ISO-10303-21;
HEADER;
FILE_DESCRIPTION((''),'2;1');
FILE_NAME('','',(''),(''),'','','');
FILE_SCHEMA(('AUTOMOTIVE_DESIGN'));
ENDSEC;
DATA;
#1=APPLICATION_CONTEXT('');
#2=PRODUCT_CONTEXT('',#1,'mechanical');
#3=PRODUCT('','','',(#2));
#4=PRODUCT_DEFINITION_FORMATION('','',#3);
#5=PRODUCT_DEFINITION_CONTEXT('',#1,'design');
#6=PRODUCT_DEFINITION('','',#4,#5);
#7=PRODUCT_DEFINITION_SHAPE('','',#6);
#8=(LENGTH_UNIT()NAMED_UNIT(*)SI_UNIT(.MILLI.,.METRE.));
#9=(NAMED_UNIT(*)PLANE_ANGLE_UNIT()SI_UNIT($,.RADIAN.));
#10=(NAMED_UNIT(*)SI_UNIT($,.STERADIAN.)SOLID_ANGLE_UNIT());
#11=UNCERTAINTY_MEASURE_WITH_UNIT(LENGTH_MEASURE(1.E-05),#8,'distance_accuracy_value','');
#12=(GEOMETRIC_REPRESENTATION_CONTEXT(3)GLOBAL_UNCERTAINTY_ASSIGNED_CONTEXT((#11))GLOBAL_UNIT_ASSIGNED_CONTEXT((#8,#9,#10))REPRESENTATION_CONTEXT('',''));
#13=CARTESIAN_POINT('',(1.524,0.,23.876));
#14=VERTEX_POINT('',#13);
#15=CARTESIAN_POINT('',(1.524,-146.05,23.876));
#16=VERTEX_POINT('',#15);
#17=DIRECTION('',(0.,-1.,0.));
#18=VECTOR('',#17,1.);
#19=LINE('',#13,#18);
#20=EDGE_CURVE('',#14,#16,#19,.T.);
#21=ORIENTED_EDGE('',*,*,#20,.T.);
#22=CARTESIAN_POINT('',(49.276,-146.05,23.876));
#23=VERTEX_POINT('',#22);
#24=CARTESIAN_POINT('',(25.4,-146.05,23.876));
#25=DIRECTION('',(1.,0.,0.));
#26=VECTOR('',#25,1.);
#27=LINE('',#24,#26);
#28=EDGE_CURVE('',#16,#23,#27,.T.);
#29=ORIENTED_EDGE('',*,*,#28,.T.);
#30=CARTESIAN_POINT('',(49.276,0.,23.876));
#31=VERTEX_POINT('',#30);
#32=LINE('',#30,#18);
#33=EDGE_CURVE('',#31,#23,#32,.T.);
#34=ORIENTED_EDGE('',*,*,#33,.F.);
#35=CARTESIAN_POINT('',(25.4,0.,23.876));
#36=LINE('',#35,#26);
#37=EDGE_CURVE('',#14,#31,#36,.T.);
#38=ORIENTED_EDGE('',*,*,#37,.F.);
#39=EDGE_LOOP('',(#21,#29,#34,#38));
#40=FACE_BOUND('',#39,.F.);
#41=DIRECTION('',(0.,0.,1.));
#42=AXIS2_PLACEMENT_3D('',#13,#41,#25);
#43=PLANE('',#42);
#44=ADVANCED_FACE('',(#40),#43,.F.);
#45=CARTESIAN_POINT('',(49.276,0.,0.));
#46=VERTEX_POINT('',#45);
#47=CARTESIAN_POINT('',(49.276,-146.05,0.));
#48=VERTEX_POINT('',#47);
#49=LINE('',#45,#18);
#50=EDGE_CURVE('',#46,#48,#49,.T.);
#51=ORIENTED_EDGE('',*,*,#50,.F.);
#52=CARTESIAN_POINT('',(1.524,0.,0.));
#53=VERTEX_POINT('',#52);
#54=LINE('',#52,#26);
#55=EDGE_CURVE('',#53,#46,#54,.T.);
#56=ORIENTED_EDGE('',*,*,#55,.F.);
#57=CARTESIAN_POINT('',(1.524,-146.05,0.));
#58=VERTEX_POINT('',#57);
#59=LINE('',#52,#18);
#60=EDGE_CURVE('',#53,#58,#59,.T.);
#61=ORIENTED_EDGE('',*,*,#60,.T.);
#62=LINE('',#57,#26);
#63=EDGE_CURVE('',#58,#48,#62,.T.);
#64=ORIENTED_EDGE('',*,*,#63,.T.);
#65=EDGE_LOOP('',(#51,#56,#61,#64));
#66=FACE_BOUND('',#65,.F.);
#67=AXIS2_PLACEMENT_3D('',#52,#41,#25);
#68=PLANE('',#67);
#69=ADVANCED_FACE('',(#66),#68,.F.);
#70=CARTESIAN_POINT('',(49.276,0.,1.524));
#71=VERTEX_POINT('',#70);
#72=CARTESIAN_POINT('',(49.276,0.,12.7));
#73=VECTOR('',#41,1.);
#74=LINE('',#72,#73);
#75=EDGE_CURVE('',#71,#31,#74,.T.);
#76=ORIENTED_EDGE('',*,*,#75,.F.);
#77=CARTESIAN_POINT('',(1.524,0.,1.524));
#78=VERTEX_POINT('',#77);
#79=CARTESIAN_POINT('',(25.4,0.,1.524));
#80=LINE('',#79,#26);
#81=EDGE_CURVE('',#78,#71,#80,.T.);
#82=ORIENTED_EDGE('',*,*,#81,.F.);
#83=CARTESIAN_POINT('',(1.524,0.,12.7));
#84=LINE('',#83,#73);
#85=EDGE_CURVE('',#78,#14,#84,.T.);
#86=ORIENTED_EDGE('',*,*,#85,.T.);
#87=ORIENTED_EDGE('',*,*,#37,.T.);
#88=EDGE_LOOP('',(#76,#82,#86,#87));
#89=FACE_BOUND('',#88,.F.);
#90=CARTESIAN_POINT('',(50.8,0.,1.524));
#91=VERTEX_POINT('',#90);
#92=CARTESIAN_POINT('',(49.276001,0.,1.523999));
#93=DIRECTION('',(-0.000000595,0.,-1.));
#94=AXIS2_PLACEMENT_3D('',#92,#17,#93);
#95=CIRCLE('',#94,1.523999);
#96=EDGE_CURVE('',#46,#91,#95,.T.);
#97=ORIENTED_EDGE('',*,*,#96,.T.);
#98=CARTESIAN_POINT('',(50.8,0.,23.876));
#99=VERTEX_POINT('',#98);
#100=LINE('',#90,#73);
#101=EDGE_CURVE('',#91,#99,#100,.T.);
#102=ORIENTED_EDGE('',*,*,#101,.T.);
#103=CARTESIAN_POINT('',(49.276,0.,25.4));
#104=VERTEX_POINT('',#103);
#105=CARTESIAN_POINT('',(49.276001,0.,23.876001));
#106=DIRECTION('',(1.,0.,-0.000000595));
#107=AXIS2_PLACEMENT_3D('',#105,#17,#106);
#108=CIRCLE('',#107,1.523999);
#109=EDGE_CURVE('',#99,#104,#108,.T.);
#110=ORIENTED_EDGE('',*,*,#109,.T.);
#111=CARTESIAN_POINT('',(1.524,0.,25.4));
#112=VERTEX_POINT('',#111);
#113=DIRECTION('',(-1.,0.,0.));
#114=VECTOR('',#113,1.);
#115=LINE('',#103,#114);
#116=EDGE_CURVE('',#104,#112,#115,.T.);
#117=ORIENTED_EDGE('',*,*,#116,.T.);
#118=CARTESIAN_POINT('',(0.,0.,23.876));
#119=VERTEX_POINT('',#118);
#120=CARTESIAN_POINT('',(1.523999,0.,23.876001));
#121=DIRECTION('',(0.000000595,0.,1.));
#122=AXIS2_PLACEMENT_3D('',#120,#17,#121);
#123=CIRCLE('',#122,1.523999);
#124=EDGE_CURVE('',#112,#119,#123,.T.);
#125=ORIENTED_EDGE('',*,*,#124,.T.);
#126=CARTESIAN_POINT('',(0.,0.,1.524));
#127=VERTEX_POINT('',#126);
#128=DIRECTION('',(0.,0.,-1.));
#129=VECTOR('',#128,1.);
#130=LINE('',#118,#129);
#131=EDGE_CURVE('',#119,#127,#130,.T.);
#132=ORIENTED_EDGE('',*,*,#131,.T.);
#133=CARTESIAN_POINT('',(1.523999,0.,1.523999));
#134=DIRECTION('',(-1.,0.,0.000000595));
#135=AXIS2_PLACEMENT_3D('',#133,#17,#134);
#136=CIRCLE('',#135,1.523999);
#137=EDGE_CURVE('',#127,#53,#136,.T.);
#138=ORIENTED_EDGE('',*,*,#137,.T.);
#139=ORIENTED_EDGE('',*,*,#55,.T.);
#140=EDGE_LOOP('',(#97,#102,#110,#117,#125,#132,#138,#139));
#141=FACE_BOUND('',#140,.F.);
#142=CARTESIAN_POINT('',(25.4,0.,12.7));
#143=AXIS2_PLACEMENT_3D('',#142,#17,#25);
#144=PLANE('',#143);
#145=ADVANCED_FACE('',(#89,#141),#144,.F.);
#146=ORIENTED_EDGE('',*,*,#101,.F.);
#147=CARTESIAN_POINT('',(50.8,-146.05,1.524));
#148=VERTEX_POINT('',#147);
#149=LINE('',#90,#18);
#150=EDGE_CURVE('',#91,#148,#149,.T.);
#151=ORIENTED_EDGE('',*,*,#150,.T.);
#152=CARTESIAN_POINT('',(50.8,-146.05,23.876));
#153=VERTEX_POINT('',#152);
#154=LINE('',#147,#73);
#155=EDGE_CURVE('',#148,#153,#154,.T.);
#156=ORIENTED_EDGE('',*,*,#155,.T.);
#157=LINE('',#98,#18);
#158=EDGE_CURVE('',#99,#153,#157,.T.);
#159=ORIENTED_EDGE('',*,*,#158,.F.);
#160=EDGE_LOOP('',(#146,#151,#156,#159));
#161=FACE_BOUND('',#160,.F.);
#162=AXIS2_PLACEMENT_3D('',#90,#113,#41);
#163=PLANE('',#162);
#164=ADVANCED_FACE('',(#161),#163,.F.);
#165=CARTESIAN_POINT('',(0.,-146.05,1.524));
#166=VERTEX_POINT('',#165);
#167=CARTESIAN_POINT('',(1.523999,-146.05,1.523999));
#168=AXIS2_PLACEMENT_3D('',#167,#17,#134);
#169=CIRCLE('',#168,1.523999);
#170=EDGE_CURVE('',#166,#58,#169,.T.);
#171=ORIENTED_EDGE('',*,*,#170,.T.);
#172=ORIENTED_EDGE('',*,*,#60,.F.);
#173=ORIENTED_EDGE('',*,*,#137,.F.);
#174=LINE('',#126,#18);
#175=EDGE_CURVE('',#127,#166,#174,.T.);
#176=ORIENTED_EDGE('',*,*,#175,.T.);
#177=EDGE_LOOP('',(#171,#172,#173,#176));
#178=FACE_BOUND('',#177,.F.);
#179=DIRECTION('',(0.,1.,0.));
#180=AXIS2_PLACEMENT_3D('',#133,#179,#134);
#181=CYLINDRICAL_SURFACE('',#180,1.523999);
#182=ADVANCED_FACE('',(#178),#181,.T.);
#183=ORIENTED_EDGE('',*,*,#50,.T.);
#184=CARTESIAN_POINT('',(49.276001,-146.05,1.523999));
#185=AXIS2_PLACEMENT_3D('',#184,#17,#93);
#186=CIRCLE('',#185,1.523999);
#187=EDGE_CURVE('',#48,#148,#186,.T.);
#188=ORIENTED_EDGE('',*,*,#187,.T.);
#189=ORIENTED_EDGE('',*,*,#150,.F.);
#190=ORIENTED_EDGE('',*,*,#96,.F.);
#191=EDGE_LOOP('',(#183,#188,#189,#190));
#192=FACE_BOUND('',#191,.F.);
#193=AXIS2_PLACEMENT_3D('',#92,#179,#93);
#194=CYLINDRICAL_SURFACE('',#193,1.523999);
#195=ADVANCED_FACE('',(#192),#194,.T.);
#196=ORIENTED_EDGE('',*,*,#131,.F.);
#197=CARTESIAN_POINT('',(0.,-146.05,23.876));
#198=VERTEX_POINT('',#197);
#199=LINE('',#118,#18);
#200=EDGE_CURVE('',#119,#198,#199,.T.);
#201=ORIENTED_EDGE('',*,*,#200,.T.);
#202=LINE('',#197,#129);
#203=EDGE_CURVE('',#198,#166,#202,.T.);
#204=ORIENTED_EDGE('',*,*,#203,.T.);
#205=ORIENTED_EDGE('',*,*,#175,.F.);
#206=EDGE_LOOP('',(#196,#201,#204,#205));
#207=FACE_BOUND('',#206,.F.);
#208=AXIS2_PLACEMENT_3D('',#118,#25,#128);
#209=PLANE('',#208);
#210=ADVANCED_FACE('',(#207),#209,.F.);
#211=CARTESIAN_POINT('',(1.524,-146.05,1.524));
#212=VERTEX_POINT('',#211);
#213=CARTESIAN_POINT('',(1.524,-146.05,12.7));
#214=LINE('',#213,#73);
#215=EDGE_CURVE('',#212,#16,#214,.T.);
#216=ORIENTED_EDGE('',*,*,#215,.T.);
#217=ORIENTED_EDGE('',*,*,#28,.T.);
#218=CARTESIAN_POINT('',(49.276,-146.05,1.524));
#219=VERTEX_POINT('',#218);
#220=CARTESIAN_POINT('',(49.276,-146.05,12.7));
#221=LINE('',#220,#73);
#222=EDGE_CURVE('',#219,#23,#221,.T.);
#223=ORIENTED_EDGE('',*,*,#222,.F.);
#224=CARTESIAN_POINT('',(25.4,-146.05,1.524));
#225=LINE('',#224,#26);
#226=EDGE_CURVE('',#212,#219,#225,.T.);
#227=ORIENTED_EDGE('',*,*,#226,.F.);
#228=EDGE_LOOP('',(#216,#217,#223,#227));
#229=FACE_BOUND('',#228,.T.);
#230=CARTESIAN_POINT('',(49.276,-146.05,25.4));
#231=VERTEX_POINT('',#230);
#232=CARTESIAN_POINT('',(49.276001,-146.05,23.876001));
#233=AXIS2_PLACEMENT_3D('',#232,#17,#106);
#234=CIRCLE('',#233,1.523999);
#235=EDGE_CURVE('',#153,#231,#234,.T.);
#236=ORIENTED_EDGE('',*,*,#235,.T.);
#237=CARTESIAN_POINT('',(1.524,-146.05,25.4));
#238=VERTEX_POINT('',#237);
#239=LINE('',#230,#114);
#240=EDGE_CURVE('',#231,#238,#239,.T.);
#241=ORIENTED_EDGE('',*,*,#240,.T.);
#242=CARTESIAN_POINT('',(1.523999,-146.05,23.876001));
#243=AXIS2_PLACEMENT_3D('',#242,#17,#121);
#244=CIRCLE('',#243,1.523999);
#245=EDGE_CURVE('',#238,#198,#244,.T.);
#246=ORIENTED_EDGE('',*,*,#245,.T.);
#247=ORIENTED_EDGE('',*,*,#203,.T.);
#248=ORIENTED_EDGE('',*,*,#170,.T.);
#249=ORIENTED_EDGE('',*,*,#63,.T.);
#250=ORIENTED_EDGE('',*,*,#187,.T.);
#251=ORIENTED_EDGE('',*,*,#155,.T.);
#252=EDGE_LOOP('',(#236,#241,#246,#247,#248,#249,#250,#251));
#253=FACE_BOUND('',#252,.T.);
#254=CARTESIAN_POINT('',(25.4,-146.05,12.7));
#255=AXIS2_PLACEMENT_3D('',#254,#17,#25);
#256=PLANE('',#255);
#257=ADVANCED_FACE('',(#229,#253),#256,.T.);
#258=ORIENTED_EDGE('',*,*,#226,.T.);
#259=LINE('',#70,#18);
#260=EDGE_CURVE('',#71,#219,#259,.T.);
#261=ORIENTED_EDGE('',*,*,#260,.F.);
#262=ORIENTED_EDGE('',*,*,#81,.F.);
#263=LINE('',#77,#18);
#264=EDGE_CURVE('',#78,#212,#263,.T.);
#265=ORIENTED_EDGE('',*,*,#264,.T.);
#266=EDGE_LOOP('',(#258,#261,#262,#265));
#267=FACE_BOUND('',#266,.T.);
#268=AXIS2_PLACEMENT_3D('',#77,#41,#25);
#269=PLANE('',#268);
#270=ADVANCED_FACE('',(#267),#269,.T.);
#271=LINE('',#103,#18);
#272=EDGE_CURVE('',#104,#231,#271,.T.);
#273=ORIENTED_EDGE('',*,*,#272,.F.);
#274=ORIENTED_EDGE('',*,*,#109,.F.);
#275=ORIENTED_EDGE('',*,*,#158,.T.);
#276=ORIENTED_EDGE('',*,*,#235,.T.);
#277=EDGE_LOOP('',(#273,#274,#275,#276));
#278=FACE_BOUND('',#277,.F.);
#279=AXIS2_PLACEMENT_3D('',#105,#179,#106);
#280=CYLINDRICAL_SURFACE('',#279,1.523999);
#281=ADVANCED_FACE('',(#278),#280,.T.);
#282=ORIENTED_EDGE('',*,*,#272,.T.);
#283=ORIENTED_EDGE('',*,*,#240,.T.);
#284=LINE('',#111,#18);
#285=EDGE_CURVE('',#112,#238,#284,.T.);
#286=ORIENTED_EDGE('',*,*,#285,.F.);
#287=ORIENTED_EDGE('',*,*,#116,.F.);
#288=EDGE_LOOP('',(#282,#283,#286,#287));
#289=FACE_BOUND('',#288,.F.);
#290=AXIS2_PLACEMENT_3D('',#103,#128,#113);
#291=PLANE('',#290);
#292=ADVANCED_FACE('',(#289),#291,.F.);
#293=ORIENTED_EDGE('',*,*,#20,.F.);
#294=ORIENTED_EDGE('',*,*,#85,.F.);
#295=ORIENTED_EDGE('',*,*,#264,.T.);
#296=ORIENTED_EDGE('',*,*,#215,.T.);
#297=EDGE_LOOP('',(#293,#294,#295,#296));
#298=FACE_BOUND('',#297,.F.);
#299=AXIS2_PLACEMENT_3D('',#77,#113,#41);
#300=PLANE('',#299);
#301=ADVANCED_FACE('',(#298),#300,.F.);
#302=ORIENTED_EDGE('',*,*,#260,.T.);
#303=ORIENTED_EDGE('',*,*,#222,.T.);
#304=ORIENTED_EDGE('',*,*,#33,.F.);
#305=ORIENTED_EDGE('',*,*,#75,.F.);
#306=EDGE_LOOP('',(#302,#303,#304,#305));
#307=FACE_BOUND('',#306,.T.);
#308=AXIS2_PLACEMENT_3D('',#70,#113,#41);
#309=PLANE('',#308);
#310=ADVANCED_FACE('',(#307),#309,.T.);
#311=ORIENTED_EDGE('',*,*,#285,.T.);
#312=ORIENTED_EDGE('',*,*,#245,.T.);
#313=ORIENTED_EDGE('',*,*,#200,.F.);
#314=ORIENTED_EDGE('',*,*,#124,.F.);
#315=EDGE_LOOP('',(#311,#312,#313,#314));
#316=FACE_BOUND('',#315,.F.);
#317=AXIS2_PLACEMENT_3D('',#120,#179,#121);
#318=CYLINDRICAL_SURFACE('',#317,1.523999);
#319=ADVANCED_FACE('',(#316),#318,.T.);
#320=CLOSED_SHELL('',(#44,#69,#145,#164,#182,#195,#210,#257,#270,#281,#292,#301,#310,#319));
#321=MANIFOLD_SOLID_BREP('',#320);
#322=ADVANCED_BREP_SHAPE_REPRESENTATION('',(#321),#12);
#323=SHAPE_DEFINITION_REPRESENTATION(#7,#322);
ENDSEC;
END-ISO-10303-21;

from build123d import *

# Parameters (mm, degrees)
F0_W     = 47.752
F0_H     = 22.352
F1_DEPTH = 146.05


with BuildPart() as f1:
    # F0 (on Front) → F1 (new body)
    with BuildSketch(Plane.XZ):
        with BuildLine():
            ThreePointArc((0, 1.524), (0.446369, 0.446369), (1.524, 0))
            Line((1.524, 0), (49.276, 0))
            ThreePointArc((49.276, 0), (50.353631, 0.446369), (50.8, 1.524))
            Line((50.8, 1.524), (50.8, 23.876))
            ThreePointArc((50.8, 23.876), (50.353631, 24.953631), (49.276, 25.4))
            Line((49.276, 25.4), (1.524, 25.4))
            ThreePointArc((1.524, 25.4), (0.446369, 24.953631), (0, 23.876))
            Line((0, 23.876), (0, 1.524))
        make_face()
        with Locations((25.4, 12.7)):
            Rectangle(F0_W, F0_H, mode=Mode.SUBTRACT)
    extrude(amount=F1_DEPTH)


solid = f1.part
